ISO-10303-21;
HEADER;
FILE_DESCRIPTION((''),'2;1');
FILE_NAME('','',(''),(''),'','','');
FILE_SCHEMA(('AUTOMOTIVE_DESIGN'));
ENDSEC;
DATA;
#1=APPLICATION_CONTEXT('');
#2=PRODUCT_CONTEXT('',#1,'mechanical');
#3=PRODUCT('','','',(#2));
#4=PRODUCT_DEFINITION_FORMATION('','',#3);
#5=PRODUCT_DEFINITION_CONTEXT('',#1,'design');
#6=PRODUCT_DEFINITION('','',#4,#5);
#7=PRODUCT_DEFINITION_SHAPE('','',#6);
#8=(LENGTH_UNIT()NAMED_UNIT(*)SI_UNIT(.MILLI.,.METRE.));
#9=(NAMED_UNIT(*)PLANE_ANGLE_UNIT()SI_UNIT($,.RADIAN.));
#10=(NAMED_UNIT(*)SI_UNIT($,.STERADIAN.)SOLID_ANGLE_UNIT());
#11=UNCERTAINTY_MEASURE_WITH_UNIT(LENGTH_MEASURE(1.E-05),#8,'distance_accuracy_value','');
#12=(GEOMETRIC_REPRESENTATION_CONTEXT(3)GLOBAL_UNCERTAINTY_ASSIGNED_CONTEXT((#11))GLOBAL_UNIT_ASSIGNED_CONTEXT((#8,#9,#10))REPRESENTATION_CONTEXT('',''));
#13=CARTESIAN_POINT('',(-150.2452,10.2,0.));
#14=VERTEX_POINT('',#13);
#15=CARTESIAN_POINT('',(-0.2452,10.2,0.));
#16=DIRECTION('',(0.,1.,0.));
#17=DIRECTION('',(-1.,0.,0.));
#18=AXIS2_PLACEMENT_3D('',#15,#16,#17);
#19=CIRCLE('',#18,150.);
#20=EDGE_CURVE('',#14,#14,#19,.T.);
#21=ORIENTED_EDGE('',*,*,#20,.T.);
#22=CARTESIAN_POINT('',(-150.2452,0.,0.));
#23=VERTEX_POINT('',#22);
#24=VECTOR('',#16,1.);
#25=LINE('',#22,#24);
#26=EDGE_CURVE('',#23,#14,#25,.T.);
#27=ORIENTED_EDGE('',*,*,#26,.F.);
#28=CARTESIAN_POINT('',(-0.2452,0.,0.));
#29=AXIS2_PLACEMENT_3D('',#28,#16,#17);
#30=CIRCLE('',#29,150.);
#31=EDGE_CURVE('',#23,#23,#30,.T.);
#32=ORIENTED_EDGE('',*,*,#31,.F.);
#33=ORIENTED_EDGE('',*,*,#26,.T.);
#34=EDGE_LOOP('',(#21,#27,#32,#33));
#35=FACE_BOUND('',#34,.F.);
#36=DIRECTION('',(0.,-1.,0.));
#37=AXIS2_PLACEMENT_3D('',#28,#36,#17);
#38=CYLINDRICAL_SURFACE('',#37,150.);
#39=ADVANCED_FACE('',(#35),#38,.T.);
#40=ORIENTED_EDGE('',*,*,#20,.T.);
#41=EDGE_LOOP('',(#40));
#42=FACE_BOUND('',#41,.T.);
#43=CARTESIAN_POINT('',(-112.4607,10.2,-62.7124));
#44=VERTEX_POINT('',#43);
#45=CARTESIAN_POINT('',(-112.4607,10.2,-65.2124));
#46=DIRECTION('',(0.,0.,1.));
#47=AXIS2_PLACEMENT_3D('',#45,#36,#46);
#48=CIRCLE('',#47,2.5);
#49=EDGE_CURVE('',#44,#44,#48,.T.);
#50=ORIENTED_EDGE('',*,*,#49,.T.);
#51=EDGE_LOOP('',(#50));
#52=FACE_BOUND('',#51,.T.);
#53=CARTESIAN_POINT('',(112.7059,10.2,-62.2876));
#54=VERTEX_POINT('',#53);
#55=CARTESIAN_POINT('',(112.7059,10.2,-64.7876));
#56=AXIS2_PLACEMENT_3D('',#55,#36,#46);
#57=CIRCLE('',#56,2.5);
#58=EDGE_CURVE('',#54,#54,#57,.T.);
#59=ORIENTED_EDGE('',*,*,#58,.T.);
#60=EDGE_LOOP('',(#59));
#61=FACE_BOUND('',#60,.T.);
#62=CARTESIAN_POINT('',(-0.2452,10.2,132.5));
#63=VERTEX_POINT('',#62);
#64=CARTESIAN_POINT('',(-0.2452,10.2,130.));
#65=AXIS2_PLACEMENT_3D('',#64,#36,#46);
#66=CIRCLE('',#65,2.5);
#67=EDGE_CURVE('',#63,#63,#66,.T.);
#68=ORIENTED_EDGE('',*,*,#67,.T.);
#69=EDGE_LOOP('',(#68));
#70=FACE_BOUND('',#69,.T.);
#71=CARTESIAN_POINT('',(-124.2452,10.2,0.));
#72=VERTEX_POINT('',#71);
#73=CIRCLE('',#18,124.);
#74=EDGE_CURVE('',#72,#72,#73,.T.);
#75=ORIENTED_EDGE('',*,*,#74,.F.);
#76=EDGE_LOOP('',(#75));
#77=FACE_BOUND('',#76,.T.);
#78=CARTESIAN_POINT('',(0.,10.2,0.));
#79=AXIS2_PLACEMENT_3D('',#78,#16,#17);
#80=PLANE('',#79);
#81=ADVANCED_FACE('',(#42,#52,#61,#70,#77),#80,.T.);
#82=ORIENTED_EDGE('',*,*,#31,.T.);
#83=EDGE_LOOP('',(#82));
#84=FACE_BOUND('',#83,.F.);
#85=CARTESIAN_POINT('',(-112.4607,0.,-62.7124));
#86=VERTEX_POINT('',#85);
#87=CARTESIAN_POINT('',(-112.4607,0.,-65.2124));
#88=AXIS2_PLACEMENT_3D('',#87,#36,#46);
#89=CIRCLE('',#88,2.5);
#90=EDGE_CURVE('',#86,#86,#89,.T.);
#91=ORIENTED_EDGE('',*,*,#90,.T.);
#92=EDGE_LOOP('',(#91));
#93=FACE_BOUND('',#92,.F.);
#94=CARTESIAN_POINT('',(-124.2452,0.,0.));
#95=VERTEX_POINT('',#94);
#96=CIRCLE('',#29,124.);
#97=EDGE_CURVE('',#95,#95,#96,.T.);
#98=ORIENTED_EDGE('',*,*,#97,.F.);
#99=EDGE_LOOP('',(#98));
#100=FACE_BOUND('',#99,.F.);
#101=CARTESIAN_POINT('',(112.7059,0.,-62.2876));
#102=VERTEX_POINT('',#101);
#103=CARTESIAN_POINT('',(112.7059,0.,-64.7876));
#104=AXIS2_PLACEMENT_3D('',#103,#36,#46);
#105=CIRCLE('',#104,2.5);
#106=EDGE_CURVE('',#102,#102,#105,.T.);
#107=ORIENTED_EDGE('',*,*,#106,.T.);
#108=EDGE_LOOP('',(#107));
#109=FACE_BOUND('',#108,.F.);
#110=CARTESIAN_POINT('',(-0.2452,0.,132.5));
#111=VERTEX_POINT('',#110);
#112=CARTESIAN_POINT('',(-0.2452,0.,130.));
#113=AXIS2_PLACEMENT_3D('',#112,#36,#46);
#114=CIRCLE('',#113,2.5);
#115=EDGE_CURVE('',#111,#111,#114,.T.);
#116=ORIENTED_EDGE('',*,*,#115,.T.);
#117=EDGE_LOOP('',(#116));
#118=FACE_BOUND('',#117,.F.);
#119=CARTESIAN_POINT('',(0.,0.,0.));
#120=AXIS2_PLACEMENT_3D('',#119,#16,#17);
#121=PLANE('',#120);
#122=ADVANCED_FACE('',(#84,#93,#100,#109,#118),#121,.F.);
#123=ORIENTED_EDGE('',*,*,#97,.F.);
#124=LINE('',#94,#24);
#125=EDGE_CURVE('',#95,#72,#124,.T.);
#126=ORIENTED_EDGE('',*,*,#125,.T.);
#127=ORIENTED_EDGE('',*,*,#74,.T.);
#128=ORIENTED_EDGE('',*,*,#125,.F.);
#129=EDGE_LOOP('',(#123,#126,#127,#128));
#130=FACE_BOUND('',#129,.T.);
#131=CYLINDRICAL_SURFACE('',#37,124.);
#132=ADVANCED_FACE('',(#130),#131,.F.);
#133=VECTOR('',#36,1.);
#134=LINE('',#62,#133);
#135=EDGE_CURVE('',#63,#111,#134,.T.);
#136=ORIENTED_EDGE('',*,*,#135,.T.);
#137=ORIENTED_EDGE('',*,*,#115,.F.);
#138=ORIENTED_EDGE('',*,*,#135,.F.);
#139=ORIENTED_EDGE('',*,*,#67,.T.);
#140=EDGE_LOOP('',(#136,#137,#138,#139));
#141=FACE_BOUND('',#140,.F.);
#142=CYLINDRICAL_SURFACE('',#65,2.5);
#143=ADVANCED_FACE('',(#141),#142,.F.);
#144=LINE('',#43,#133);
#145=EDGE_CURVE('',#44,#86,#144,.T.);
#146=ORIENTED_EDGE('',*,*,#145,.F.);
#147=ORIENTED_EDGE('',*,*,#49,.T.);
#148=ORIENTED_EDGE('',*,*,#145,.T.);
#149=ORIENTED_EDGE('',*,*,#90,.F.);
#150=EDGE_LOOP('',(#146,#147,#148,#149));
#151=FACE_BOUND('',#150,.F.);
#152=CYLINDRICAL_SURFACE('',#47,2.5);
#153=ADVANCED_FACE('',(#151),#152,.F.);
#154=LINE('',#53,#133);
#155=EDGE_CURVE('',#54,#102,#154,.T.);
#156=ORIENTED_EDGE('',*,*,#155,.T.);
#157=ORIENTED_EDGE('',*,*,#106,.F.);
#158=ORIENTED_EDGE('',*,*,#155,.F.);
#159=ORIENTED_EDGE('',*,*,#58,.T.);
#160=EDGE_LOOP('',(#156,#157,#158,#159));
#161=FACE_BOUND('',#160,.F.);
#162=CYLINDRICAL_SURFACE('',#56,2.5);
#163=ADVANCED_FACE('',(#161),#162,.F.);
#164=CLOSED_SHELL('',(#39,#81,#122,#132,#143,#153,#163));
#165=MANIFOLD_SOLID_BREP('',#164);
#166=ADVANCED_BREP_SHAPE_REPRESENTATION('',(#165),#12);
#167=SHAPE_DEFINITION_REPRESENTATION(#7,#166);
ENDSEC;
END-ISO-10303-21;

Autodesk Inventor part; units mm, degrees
ref_plane "YZ Plane" through (0, 0, 0) normal (1, 0, 0) x (0, 1, 0)
ref_plane "XZ Plane" through (0, 0, 0) normal (0, 1, 0) x (-1, 0, 0)
ref_plane "XY Plane" through (0, 0, 0) normal (0, 0, 1) x (1, 0, 0)
sketch "Sketch2" plane through (0, 0, 0) normal (0, 1, 0) x (-1, 0, 0)
  circle A0 centre (0.2452, 0) radius 150
  circle A1 centre (0.2452, 0) radius 124
  point P0 (0, 0)
  dimension "d0" = 300
  dimension "d1" = 248
extrude "Extrusion1" add sketch "Sketch2" along normal blind 10.2
sketch "Sketch3" plane through (-0.2452, 10.2, 0) normal (0, 1, 0) x (1, 0, 0)
  point P0 (0.2452, 0)
  point P1 (0, -130)
  point P2 (112.9511, 64.7876)
  point P3 (-112.2155, 65.2124)
  dimension "d13" = 360
  dimension "d15" = 130
hole "Hole1" at (-0.2452, 10.2, 130) at (112.7059, 10.2, -64.7876) at (-112.4607, 10.2, -65.2124) direction (0, -1, 0) diameter 5 end through all
properties part number "LazySusan" material "Aluminum 6061"
